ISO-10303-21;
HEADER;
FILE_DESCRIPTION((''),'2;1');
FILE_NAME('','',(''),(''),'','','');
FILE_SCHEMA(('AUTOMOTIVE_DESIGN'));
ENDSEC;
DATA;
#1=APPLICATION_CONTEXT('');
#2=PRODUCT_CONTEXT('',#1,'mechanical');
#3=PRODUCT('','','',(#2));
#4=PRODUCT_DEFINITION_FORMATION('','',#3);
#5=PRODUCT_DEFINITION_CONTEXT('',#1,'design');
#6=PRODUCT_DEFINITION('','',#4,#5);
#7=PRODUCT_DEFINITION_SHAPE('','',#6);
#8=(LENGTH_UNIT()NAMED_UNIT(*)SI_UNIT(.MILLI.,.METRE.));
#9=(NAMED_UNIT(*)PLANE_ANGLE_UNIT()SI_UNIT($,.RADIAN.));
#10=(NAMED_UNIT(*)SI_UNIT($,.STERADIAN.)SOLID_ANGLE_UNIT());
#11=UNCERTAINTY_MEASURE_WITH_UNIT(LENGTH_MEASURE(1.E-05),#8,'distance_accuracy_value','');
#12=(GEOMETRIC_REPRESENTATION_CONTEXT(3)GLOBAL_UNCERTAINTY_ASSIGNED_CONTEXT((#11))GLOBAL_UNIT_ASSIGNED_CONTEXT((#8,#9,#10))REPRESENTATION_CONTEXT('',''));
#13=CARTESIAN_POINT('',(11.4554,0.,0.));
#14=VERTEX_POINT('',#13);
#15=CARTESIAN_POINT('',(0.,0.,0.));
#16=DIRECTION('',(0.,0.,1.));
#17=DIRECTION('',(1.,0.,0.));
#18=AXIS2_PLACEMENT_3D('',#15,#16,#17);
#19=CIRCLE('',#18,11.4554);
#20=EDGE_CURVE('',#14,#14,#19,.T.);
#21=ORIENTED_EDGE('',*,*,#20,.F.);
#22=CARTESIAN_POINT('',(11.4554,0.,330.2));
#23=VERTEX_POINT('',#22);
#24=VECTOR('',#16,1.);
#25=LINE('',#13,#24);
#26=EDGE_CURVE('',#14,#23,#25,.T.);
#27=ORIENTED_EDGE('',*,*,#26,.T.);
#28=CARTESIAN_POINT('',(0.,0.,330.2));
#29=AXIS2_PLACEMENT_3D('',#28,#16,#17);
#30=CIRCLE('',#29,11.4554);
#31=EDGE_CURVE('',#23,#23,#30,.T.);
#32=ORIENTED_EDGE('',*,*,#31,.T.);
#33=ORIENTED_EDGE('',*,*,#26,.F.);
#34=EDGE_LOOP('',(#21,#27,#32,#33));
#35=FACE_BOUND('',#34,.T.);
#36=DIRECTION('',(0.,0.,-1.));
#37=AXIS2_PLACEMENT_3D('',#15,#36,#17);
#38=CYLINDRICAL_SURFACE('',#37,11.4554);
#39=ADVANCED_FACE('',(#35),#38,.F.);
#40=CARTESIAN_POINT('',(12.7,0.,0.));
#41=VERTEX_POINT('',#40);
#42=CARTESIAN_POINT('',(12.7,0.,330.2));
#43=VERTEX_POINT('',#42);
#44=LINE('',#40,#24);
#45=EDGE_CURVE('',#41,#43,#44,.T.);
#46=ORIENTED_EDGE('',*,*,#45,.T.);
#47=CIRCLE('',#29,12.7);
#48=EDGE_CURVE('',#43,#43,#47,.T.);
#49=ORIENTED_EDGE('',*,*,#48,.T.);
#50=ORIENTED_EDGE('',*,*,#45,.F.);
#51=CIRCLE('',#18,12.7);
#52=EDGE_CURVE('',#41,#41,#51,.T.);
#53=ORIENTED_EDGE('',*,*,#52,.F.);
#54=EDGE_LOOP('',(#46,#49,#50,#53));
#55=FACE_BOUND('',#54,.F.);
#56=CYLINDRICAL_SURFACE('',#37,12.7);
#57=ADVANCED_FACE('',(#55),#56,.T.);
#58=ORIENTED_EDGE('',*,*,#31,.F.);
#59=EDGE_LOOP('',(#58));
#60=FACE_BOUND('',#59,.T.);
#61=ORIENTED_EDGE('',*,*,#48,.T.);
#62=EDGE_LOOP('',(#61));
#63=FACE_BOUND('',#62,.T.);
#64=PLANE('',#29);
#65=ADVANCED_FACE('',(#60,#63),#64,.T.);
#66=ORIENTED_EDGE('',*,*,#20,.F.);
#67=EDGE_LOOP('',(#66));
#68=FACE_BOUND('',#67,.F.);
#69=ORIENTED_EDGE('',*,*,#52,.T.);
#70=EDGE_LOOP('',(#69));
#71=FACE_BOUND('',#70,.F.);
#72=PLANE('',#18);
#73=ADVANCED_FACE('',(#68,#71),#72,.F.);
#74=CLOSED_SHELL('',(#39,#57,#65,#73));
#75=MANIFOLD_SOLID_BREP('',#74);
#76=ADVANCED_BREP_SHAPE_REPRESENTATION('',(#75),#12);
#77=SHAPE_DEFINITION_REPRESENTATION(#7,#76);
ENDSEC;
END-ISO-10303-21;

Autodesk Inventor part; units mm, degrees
ref_plane "YZ Plane" through (0, 0, 0) normal (1, 0, 0) x (0, 1, 0)
ref_plane "Start Plane" through (0, 0, 0) normal (0, 0, 1) x (1, 0, 0)
ref_plane "End Plane" through (0, 0, 330.2) normal (0, 0, 1) x (1, 0, 0)
sketch "Sketch" plane through (0, 0, 0) normal (0, 0, 1) x (1, 0, 0)
  circle A0 centre (0, 0) radius 12.7
  circle A1 centre (0, 0) radius 11.4554
  dimension "d0" = 25.4
  dimension "d1" = 1.2446
extrude "Body" add sketch "Sketch" along normal up to surface (330.2 mm away) from surface at 0
sketch "Sketch10" plane through (0, 0, 0) normal (0, 0, 1) x (1, 0, 0)
  line L0 (0, 0) -> (10, 0)
ref_plane "Work Plane7" through (0, 0, 0) normal (0, -1, 0) x (1, 0, 0)
sketch "Sketch11" plane through (0, 0, 0) normal (0, -1, 0) x (1, 0, 0)
  line L0 (-2, 0) -> (12, 0)
  line L1 (-2, 330.2) -> (12, 330.2)
  dimension "d9" = 330.2
equation "\"G_OFFSET_START\" = 0"
equation "\"G_OFFSET_END\" = 0"
equation "\"d5\" = d2 + G_OFFSET_END"
equation "\"G_L\" = d9"
equation "\"d2\" = 330.2"
properties part number "4130_1x0.049" material "Steel, Alloy"
